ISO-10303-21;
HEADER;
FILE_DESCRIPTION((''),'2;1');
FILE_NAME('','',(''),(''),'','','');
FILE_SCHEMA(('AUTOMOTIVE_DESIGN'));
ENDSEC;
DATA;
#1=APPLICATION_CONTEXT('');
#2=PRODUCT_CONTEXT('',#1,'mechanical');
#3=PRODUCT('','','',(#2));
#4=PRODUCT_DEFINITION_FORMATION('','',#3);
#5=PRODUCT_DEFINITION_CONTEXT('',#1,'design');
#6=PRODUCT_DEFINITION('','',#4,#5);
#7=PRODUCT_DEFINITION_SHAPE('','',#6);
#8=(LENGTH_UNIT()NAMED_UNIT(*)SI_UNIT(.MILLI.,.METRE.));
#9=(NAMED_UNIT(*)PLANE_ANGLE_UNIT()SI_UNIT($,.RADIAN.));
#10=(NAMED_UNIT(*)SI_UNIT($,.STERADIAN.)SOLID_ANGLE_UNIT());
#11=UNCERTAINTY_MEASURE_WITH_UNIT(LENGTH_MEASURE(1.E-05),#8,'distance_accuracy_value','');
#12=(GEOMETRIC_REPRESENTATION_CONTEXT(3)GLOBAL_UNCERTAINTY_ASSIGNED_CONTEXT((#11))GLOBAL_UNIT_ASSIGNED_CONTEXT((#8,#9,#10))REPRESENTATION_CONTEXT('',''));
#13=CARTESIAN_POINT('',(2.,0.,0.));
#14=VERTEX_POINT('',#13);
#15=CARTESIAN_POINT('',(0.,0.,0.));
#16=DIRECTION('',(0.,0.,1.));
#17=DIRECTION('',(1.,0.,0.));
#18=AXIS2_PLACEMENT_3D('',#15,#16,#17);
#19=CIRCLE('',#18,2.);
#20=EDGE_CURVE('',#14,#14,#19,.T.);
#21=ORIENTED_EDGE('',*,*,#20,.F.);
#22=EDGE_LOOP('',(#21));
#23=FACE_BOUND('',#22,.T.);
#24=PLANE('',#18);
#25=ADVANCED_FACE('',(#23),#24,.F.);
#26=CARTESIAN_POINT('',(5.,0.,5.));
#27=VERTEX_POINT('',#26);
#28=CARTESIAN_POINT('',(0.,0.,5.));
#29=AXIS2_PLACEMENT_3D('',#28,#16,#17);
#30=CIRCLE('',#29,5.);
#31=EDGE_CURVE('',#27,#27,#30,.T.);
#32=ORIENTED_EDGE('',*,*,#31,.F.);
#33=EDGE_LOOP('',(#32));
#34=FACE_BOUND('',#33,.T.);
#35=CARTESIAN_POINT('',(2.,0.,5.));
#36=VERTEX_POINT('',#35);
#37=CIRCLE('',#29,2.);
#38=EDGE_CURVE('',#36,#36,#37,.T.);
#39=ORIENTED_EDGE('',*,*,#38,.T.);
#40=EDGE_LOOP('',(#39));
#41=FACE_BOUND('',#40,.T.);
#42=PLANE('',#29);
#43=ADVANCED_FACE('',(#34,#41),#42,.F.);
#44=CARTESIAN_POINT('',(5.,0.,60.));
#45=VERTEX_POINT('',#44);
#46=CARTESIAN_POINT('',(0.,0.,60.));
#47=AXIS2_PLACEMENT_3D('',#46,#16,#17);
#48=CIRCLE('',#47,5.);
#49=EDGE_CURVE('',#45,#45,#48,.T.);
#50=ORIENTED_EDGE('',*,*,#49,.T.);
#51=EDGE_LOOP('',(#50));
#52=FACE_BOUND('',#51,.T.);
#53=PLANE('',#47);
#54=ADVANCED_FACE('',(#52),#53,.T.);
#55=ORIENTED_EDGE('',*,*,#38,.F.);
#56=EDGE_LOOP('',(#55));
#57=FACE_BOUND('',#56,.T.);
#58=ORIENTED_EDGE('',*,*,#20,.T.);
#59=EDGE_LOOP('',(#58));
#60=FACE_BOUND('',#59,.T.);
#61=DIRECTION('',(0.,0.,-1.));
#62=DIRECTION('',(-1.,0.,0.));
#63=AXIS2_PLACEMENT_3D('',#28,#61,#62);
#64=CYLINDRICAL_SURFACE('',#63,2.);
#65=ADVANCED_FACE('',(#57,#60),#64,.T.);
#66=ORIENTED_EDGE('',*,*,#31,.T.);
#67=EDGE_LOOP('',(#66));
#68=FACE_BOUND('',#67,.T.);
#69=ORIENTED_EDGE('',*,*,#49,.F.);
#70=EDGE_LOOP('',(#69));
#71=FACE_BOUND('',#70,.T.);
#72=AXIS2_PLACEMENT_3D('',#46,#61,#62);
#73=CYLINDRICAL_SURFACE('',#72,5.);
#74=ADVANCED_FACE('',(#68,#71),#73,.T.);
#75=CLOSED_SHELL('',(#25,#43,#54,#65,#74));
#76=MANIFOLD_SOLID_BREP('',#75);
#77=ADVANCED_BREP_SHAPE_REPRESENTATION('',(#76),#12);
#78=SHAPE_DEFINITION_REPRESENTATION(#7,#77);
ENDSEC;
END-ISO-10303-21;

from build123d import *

# Parameters (mm, degrees)
SKETCH1_R           = 2
BOSS_EXTRUDE1_DEPTH = 5
SKETCH2_R           = 5
BOSS_EXTRUDE2_DEPTH = 55


with BuildPart() as part:
    # Sketch1 → Boss-Extrude1 (new body)
    with BuildSketch(Plane.XY):
        Circle(SKETCH1_R)
    extrude(amount=BOSS_EXTRUDE1_DEPTH)

    # Sketch2 → Boss-Extrude2 (add)
    with BuildSketch(Plane.XY.offset(5)):
        Circle(SKETCH2_R)
    extrude(amount=BOSS_EXTRUDE2_DEPTH)


solid = part.part
